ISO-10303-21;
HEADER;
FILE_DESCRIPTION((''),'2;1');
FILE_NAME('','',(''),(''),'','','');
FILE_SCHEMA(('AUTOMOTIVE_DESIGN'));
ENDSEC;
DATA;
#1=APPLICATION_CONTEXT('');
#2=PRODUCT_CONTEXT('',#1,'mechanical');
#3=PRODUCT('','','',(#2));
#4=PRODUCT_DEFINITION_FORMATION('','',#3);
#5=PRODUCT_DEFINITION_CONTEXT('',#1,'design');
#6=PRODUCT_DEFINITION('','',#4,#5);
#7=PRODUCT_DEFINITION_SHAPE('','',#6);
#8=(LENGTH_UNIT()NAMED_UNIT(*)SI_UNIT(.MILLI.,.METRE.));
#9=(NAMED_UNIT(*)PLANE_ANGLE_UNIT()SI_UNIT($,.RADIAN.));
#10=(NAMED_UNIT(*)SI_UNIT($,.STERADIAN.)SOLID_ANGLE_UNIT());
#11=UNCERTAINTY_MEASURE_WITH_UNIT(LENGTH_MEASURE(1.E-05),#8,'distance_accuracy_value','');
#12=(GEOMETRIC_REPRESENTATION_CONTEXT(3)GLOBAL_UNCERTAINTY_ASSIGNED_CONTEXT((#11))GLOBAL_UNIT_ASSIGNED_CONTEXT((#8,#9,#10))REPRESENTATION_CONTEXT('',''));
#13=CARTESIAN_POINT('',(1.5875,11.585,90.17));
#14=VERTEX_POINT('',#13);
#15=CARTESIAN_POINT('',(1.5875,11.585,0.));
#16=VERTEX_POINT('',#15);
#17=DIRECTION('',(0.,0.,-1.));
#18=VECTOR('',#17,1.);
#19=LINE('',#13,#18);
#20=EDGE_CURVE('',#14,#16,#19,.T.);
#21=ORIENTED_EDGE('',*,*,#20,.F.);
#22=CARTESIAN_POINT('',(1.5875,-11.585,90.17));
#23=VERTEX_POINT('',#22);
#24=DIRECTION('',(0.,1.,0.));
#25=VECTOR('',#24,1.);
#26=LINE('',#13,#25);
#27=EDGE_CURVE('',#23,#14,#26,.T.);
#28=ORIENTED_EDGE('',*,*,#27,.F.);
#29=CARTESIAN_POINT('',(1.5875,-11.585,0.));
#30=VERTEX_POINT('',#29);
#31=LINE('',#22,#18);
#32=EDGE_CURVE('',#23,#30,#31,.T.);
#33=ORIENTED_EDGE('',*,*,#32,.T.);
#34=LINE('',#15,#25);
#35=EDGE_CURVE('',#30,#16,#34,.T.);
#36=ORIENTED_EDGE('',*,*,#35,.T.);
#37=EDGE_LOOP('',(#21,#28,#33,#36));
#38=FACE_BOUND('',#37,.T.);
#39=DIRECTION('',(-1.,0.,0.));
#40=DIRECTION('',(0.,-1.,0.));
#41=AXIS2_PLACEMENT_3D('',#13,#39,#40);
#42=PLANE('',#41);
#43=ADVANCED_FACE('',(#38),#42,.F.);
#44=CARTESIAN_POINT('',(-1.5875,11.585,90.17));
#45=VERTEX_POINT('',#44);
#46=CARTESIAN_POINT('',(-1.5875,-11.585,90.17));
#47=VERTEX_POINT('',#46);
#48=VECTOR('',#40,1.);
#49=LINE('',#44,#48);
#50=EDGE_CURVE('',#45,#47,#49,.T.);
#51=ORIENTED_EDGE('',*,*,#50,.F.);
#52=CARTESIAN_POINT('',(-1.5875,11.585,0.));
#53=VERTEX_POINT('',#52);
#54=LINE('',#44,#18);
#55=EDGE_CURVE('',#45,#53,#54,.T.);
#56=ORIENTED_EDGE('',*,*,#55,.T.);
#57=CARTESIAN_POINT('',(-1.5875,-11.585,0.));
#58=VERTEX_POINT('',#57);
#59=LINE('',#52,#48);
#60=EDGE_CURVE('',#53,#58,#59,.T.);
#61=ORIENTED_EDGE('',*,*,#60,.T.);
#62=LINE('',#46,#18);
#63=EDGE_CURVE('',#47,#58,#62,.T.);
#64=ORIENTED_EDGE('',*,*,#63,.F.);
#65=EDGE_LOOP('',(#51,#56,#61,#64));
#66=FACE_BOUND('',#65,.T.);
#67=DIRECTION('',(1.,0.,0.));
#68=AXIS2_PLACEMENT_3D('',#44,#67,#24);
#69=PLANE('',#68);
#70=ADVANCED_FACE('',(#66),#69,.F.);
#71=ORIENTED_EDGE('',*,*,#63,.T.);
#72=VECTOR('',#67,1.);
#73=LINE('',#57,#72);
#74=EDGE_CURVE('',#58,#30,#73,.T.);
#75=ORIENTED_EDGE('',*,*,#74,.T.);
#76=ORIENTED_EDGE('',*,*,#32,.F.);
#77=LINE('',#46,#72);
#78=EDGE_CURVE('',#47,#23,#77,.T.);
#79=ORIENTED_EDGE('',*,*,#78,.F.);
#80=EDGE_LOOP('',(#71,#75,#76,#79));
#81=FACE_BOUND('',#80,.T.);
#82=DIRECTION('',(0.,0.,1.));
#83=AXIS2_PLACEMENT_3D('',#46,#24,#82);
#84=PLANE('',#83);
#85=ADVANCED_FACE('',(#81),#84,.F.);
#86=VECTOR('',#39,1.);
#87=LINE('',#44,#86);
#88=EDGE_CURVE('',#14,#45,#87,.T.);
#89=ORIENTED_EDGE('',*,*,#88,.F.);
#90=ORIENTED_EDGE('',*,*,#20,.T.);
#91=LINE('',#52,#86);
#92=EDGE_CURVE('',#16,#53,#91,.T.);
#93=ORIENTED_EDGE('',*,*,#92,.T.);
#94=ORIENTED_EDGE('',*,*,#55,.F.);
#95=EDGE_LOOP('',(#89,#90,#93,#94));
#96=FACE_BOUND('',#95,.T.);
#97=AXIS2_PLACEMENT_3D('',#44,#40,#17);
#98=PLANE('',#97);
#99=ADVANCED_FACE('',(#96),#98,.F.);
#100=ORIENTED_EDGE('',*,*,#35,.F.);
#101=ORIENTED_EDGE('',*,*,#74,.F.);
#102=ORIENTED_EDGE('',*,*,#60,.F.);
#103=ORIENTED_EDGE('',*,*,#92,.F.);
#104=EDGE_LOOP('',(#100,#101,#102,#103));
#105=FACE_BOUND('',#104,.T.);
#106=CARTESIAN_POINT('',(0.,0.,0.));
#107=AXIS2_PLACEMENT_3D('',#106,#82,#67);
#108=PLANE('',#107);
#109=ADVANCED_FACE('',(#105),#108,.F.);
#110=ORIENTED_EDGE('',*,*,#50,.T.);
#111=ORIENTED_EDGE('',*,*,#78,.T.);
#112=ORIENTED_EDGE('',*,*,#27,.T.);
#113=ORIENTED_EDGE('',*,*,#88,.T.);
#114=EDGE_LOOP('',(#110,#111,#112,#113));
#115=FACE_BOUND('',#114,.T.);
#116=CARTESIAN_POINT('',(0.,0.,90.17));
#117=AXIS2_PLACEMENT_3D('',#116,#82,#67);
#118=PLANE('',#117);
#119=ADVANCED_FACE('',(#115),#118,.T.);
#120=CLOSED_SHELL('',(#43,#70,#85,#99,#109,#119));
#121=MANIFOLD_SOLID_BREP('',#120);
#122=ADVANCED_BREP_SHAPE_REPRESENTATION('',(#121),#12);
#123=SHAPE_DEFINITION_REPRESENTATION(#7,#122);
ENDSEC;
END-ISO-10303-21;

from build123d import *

# Parameters (mm, degrees)
SKETCH1_W           = 3.175
SKETCH1_H           = 23.17
BOSS_EXTRUDE1_DEPTH = 90.17


with BuildPart() as part:
    # Sketch1 → Boss-Extrude1 (new body)
    with BuildSketch(Plane.XY):
        Rectangle(SKETCH1_W, SKETCH1_H)
    extrude(amount=BOSS_EXTRUDE1_DEPTH)


solid = part.part
